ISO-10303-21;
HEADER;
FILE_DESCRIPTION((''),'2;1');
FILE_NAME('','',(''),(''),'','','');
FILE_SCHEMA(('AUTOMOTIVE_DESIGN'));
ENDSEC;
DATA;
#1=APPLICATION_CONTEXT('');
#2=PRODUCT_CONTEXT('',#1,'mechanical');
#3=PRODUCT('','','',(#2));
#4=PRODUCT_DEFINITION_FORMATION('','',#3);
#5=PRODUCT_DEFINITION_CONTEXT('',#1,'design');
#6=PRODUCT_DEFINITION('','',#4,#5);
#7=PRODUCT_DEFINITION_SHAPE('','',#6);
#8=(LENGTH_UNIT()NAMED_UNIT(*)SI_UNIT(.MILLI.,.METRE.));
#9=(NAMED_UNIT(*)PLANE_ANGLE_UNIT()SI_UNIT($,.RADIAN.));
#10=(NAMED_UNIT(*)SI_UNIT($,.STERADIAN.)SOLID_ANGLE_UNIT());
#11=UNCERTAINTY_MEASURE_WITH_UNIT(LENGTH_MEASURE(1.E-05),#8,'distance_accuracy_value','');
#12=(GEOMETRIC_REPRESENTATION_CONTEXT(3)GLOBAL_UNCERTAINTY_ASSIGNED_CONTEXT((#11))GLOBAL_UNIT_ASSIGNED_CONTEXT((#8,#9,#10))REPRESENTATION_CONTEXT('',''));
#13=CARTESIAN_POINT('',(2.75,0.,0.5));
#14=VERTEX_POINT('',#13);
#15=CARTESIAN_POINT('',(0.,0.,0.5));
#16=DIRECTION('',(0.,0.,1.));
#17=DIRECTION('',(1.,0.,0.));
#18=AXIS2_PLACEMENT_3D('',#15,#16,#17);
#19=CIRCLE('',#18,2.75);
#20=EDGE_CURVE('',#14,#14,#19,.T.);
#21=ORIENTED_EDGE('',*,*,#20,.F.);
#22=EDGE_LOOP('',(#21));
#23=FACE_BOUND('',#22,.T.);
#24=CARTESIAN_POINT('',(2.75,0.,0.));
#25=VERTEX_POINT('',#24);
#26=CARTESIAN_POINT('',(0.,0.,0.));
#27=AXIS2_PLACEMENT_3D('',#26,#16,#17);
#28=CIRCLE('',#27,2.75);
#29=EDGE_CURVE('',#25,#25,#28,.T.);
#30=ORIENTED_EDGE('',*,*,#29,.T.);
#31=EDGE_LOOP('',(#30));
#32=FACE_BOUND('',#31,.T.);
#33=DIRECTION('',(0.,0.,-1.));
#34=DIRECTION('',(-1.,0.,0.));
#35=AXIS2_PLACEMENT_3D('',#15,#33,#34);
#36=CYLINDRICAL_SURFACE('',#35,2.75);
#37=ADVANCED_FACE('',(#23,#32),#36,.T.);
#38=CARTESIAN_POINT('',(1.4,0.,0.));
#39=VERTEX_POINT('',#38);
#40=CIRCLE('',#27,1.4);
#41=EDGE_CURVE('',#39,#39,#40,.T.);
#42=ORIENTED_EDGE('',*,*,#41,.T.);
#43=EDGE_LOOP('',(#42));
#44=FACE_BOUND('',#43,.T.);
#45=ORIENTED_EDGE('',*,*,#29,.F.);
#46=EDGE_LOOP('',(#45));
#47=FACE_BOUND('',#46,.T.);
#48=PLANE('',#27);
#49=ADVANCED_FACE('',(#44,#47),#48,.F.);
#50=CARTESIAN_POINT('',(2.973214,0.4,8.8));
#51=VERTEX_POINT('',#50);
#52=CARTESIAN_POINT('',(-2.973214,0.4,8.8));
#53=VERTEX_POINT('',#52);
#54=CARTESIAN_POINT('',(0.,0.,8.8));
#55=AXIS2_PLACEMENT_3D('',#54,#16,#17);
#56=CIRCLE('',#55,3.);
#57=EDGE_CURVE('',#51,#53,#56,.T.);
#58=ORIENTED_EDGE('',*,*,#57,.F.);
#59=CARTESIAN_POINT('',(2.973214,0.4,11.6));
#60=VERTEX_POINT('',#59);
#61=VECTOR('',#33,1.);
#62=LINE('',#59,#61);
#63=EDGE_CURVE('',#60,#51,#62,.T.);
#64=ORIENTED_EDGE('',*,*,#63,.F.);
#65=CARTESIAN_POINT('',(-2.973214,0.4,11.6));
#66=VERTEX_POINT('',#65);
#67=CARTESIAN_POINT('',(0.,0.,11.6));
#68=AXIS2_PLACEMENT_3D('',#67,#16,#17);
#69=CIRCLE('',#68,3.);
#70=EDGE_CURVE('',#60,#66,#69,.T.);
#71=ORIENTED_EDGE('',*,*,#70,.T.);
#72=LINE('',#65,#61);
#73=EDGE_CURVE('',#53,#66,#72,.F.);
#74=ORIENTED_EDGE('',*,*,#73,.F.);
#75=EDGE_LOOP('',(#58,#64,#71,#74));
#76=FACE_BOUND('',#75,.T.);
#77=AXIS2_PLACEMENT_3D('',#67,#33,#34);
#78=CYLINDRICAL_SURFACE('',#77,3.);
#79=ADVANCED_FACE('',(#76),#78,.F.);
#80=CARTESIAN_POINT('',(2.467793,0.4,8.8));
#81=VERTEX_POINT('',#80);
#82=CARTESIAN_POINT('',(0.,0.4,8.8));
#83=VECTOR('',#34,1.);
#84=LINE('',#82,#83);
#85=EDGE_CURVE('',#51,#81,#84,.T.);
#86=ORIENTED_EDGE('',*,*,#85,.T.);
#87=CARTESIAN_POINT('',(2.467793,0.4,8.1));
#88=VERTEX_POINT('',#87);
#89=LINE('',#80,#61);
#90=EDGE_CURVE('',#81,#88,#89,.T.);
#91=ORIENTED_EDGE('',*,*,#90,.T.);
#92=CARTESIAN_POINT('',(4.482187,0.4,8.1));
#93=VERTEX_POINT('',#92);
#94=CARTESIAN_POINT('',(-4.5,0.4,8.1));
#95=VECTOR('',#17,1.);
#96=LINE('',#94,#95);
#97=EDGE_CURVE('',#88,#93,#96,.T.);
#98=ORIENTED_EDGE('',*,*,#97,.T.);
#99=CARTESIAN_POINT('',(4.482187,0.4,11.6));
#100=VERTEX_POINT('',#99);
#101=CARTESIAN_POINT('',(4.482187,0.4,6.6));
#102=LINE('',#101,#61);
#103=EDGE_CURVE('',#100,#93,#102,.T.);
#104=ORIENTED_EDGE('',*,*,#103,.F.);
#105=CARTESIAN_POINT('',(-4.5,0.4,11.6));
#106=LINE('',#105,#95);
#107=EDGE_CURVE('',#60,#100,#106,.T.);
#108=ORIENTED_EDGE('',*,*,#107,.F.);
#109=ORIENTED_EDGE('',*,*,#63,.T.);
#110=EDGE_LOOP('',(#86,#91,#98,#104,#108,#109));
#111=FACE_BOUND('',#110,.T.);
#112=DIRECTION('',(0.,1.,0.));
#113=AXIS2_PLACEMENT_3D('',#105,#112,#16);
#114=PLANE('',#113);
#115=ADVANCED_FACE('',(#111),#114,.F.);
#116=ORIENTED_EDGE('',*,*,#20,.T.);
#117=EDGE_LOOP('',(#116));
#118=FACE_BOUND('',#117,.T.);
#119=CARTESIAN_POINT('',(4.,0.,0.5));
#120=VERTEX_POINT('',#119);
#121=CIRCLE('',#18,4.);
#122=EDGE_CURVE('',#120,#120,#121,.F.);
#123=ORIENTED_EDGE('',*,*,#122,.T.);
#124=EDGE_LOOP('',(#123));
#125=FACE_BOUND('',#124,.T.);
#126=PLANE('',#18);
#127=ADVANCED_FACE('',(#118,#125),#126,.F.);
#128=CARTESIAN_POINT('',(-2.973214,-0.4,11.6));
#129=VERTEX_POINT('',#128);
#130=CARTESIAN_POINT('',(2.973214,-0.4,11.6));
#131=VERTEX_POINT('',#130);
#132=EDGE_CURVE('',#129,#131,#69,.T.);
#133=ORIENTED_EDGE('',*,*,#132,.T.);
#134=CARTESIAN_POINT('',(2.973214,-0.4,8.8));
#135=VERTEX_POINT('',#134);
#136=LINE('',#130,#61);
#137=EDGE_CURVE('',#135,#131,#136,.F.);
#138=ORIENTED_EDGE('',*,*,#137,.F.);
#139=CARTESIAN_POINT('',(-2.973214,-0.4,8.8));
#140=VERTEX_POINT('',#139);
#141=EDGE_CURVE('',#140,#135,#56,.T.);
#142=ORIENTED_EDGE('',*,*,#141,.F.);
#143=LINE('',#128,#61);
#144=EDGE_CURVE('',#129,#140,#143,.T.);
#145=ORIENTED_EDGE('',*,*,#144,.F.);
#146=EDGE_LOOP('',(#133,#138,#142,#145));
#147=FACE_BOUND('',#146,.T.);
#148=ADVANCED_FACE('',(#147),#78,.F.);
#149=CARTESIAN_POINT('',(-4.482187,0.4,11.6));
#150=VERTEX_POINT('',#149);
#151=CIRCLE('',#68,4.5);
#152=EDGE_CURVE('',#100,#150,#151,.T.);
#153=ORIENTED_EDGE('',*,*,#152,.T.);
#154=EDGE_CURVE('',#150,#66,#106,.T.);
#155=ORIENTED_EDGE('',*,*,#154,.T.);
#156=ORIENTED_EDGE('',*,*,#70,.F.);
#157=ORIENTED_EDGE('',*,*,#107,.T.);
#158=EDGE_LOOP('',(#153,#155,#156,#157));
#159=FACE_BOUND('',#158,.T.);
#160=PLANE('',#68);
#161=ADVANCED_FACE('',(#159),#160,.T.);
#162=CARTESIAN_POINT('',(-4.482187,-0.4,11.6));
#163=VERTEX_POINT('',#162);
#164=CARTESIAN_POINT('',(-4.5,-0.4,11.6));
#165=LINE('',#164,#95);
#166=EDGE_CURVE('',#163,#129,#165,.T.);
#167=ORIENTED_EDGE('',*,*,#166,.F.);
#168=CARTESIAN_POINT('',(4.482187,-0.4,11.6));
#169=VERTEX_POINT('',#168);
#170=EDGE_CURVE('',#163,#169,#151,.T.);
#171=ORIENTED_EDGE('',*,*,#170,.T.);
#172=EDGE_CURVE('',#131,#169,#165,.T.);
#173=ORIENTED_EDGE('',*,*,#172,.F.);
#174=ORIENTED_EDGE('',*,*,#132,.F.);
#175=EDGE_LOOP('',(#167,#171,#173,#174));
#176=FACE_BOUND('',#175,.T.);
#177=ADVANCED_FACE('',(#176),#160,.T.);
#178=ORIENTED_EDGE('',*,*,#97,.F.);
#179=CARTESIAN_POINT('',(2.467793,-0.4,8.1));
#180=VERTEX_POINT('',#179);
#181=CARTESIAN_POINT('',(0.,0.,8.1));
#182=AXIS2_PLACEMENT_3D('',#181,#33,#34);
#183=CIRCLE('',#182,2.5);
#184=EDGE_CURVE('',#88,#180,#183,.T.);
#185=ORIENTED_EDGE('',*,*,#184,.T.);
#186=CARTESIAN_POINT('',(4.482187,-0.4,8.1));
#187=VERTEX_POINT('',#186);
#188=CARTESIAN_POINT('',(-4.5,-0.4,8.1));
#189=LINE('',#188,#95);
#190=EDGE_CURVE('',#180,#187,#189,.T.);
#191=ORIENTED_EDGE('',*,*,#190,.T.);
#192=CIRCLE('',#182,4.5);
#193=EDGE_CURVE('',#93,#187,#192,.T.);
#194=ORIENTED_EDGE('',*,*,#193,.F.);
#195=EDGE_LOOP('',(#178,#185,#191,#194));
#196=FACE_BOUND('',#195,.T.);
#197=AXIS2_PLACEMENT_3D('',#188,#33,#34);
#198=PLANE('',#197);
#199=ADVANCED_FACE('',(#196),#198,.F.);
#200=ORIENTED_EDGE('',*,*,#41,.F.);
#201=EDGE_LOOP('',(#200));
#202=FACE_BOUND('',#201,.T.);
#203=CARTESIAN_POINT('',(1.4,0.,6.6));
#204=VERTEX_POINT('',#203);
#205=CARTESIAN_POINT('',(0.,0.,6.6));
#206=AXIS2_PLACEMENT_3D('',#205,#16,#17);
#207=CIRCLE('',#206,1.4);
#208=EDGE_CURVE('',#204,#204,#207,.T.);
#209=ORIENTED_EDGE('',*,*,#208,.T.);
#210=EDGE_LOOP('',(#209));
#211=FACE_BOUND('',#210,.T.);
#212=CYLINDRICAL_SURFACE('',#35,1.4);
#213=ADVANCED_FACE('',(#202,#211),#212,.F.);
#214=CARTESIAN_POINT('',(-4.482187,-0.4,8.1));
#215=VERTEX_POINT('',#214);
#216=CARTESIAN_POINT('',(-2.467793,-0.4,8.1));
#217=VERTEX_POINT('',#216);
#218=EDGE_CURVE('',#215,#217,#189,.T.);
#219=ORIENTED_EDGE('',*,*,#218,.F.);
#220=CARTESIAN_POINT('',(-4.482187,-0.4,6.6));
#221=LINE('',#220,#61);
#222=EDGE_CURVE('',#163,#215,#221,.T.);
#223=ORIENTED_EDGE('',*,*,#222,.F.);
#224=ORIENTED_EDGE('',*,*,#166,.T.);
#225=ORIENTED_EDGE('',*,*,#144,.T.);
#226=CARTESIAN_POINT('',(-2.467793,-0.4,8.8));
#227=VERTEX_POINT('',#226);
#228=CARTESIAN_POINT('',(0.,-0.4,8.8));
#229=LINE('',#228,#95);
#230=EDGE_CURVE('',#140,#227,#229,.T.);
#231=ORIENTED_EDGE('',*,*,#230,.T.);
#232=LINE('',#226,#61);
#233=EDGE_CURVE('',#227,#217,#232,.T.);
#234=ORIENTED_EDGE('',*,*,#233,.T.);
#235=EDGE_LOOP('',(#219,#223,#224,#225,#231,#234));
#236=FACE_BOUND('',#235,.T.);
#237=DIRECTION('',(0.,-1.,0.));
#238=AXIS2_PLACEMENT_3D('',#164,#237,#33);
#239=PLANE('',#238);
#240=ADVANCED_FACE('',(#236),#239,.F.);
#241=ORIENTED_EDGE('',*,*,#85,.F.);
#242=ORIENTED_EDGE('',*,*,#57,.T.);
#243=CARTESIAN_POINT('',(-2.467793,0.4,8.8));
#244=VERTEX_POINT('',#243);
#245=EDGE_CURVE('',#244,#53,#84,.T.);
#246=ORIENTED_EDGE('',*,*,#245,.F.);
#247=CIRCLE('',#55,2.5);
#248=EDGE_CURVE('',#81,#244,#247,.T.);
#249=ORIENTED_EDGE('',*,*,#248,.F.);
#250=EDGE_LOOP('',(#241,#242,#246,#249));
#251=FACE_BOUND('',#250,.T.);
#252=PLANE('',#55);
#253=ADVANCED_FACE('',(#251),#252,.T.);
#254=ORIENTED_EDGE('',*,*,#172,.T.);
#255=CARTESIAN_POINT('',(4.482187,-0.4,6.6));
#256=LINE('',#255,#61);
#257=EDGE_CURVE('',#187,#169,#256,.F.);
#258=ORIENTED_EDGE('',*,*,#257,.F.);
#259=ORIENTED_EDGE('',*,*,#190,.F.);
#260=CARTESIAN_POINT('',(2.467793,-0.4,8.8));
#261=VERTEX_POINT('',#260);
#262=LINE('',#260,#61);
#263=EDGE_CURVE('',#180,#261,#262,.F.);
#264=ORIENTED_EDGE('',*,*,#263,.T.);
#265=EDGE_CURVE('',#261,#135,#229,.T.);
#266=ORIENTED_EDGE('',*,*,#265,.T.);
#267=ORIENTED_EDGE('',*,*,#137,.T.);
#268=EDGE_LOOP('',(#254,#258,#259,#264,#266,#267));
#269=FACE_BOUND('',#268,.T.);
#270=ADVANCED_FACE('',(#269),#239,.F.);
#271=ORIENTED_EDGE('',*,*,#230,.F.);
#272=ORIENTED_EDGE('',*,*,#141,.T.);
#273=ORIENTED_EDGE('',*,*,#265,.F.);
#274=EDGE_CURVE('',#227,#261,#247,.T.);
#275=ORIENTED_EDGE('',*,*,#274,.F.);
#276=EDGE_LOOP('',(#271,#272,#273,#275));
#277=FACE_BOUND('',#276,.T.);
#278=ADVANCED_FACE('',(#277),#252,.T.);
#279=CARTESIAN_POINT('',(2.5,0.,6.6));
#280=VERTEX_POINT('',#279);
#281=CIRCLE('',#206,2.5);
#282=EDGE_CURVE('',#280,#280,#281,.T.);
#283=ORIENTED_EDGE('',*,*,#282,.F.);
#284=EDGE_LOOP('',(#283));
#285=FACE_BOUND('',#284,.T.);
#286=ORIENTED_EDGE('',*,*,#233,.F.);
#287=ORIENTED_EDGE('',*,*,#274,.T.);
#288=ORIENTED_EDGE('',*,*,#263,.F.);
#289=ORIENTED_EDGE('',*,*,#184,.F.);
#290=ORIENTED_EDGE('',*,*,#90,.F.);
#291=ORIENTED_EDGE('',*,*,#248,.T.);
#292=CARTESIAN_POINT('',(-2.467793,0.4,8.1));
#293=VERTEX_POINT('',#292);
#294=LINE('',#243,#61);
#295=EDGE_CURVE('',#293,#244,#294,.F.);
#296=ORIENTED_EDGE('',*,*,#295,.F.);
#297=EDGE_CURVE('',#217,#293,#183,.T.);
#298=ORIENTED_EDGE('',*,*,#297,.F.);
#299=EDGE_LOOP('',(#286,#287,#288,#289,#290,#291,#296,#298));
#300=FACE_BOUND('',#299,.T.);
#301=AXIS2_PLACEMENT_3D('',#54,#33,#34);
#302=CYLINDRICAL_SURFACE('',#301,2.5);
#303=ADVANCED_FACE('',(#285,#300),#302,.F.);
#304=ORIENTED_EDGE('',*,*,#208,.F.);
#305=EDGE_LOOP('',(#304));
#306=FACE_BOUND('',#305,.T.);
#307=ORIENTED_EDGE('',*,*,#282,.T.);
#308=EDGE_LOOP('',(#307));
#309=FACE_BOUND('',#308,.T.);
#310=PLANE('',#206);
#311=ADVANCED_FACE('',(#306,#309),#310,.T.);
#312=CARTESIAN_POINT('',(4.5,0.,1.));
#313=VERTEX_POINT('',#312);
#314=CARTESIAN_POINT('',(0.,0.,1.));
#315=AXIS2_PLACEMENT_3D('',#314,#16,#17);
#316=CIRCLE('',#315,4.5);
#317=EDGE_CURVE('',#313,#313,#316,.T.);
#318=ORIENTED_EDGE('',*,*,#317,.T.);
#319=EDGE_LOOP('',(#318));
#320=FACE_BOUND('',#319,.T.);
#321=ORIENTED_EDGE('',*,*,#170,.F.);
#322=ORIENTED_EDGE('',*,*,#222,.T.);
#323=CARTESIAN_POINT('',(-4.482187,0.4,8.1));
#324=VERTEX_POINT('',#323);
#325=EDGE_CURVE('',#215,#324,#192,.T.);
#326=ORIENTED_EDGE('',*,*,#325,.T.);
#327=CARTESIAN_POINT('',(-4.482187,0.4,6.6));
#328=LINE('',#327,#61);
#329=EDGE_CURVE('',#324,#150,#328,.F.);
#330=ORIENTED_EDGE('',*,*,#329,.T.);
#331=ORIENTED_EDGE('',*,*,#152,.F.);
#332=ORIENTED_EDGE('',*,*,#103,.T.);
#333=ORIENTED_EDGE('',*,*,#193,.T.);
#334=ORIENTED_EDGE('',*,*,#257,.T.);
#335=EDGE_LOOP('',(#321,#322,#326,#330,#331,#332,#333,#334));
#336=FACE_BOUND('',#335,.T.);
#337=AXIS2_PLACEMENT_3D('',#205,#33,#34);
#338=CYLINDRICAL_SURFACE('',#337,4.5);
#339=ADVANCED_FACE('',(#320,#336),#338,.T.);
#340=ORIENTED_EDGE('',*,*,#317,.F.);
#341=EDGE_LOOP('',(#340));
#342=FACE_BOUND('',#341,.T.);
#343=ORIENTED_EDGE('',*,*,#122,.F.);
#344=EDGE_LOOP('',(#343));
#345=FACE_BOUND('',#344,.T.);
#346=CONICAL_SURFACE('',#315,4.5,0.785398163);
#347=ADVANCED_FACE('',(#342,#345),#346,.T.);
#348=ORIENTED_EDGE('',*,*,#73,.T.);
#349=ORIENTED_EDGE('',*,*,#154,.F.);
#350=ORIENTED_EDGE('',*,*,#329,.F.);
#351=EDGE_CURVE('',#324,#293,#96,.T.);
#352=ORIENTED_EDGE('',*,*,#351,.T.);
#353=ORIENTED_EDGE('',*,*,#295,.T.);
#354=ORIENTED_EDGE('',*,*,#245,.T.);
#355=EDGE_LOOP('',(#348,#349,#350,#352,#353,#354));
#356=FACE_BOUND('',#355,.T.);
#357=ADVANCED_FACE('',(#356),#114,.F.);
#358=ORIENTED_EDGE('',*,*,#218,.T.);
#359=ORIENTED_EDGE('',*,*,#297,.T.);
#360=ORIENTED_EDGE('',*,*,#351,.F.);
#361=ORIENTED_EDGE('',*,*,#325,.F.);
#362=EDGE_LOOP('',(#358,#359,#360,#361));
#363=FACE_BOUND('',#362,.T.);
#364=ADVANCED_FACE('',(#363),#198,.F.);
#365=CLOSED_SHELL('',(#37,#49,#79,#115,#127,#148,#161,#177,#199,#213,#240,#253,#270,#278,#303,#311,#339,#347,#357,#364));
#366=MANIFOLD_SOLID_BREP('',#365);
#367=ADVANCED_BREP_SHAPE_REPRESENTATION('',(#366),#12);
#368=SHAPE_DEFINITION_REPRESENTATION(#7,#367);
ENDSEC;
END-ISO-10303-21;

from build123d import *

# Parameters (mm, degrees)
SKETCH1_R           = 2.75
SKETCH1_R_2         = 1.4
BOSS_EXTRUDE1_DEPTH = 0.5
SKETCH2_R           = 4.5
SKETCH2_R_2         = 1.4
BOSS_EXTRUDE2_DEPTH = 6.1
CHAMFER1_SIZE       = 0.5
SKETCH3_R           = 4.5
SKETCH3_R_2         = 2.5
BOSS_EXTRUDE3_DEPTH = 2.2
SKETCH4_R           = 4.5
SKETCH4_R_2         = 3
BOSS_EXTRUDE4_DEPTH = 2.8
SKETCH5_W           = 0.8
SKETCH5_H           = 3.5
CUT_EXTRUDE1_DEPTH  = 4.5


with BuildPart() as part:
    # Sketch1 → Boss-Extrude1 (new body)
    with BuildSketch(Plane(origin=(0, 0, 0), x_dir=(0, 1, 0), z_dir=(0, 0, 1))):
        with Locations(Location((0, 0, 0), (0, 0, 270))):
            Circle(SKETCH1_R)
        with Locations(Location((0, 0, 0), (0, 0, 270))):
            Circle(SKETCH1_R_2, mode=Mode.SUBTRACT)
    extrude(amount=BOSS_EXTRUDE1_DEPTH)

    # Sketch2 → Boss-Extrude2 (add)
    with BuildSketch(Plane.XY.offset(0.5)):
        Circle(SKETCH2_R)
        Circle(SKETCH2_R_2, mode=Mode.SUBTRACT)
    extrude(amount=BOSS_EXTRUDE2_DEPTH)

    # Chamfer1
    chamfer1_edges = [part.edges().sort_by_distance(p)[0] for p in [
        (-4.5, 0, 0.5),
    ]]
    chamfer(chamfer1_edges, length=CHAMFER1_SIZE)

    # Sketch3 → Boss-Extrude3 (add)
    with BuildSketch(Plane.XY.offset(6.6)):
        Circle(SKETCH3_R)
        Circle(SKETCH3_R_2, mode=Mode.SUBTRACT)
    extrude(amount=BOSS_EXTRUDE3_DEPTH)

    # Sketch4 → Boss-Extrude4 (add)
    with BuildSketch(Plane.XY.offset(8.8)):
        Circle(SKETCH4_R)
        Circle(SKETCH4_R_2, mode=Mode.SUBTRACT)
    extrude(amount=BOSS_EXTRUDE4_DEPTH)

    # Sketch5 → Cut-Extrude1 (cut, symmetric)
    with BuildSketch(Plane.YZ):
        with Locations((0, 9.85)):
            Rectangle(SKETCH5_W, SKETCH5_H)
    extrude(amount=CUT_EXTRUDE1_DEPTH, both=True, mode=Mode.SUBTRACT)


solid = part.part
